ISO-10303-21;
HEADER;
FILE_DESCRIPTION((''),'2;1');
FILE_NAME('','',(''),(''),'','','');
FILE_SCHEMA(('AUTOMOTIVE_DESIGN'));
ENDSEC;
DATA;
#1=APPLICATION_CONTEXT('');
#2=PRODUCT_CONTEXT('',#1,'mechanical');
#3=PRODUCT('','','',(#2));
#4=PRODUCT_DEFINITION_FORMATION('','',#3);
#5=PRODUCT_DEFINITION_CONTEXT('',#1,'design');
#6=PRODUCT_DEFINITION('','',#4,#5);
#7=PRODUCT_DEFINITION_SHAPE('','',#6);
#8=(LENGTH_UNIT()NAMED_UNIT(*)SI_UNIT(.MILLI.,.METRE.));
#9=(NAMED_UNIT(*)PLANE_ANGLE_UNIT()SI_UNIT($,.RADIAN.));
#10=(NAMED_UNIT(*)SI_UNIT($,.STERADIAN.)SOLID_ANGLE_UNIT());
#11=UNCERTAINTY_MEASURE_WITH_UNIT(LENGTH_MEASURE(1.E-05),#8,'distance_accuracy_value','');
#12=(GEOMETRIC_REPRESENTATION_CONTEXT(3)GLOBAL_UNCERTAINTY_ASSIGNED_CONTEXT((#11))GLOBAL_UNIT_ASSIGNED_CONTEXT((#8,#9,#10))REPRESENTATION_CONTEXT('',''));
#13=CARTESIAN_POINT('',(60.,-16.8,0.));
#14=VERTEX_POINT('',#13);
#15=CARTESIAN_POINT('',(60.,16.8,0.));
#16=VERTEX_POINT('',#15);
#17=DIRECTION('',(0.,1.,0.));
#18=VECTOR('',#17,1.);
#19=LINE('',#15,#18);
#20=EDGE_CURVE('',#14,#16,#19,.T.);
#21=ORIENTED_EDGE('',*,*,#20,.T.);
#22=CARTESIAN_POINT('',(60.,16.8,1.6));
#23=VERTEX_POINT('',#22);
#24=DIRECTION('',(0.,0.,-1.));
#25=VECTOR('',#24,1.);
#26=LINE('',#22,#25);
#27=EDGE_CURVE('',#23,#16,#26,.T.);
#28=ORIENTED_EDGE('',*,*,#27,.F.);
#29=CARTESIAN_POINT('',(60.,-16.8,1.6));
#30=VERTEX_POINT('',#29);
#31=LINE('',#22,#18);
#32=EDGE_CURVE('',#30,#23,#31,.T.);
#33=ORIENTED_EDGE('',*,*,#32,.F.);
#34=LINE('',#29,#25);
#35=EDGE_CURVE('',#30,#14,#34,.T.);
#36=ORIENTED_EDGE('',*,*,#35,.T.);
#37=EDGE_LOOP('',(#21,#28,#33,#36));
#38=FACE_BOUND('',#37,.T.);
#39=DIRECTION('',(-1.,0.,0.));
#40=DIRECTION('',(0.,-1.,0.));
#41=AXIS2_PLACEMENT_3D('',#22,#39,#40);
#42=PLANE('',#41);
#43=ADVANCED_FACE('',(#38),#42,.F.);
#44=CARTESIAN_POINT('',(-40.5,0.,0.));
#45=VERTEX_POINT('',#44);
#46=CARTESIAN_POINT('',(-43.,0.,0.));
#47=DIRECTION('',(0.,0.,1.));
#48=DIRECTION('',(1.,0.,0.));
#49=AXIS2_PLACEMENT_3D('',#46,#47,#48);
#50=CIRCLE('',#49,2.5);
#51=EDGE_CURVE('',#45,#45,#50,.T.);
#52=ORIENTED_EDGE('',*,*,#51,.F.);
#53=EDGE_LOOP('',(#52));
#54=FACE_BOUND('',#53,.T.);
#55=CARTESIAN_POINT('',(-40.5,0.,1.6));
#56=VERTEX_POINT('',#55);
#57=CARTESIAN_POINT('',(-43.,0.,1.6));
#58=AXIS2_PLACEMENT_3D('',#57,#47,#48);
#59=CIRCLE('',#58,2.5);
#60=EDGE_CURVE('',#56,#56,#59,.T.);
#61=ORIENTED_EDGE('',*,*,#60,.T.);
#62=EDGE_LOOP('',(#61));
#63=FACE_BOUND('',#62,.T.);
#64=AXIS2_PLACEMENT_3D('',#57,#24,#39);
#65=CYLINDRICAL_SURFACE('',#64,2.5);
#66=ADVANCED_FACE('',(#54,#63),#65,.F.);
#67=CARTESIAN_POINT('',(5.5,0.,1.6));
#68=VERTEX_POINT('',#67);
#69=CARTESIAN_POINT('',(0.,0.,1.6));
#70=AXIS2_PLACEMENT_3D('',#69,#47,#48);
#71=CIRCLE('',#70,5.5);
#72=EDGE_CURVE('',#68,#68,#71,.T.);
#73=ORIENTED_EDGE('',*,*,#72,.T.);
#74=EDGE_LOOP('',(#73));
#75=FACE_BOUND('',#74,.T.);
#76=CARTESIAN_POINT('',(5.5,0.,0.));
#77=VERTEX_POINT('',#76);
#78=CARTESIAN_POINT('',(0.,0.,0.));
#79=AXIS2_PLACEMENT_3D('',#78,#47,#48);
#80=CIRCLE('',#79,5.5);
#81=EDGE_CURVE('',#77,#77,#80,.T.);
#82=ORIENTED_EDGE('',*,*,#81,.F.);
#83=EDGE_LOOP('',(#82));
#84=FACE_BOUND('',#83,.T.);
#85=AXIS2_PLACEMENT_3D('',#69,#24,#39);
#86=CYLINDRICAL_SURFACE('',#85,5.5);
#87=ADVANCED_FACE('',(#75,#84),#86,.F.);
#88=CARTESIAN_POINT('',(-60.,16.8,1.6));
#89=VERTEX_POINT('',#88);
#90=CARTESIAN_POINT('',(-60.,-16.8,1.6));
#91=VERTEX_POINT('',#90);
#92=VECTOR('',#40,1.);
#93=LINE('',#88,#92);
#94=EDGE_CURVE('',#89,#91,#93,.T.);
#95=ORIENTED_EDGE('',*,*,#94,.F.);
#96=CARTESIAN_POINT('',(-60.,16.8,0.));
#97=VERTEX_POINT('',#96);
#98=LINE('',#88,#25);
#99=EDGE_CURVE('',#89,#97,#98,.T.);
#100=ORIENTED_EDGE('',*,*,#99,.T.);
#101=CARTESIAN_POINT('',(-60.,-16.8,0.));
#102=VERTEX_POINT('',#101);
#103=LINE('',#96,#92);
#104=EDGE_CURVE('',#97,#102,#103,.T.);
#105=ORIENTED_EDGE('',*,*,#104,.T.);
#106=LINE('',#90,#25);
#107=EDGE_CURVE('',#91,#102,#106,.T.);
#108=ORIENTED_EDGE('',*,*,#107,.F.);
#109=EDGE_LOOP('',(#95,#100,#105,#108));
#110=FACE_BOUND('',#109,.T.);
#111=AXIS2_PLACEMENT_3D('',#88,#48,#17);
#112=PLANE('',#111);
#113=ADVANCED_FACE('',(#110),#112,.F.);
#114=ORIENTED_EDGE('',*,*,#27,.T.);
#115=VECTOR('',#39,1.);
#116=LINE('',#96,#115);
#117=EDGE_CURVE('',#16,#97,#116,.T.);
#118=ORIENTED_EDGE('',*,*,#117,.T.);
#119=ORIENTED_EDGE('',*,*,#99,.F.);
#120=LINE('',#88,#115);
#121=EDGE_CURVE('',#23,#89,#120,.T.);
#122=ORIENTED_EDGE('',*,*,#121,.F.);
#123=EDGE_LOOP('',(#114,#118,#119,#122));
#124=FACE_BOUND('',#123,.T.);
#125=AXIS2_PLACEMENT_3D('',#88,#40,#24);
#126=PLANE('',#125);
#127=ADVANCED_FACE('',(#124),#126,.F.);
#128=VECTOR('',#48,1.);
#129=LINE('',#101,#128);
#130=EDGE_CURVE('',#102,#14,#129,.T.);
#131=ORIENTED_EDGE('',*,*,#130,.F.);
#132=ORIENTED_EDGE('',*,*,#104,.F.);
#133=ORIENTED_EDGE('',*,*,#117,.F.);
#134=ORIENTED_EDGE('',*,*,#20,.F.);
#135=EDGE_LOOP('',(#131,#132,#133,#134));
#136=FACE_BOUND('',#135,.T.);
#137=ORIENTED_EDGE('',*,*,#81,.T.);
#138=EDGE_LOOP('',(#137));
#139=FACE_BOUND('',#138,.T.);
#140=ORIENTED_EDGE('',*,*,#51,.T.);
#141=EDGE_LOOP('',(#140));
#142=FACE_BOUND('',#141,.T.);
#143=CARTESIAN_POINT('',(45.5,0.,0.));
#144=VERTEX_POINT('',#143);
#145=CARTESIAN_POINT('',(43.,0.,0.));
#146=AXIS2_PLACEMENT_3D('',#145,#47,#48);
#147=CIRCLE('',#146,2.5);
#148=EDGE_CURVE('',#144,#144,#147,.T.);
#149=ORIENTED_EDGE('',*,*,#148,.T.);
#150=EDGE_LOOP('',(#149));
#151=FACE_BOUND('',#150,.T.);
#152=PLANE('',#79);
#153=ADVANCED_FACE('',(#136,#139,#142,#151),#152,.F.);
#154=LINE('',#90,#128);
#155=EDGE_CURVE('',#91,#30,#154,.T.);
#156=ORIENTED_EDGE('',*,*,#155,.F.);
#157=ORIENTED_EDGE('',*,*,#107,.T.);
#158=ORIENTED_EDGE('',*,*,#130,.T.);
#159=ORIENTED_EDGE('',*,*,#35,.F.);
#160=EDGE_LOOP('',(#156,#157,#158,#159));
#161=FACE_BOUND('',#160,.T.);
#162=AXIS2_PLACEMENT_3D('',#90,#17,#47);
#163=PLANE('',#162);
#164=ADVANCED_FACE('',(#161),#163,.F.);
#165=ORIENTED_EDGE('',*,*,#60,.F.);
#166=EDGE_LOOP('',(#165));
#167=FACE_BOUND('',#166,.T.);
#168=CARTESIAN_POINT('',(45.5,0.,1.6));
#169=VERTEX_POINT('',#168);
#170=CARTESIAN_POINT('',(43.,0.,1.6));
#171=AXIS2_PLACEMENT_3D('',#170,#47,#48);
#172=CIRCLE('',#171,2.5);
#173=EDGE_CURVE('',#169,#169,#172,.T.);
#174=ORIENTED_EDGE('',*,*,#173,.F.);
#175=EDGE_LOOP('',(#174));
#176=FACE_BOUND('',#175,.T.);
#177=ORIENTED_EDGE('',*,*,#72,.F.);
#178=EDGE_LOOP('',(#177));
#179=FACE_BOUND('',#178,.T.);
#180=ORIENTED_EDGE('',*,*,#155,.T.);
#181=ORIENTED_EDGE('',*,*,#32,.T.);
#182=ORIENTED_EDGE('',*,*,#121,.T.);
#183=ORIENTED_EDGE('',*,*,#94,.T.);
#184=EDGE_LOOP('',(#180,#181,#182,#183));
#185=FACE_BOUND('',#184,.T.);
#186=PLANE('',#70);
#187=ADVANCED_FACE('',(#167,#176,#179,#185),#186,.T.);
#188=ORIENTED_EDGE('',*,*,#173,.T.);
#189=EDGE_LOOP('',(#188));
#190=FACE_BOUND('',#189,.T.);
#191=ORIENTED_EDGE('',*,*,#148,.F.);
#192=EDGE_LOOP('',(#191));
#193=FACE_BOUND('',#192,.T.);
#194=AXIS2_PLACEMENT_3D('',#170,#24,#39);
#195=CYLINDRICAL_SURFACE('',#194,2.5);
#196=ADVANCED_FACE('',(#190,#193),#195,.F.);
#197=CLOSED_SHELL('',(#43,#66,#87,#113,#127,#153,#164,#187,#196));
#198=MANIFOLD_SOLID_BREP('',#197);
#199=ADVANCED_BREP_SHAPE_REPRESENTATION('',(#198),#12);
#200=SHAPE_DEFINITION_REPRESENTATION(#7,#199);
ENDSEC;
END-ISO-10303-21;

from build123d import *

# Parameters (mm, degrees)
SKETCH1_W           = 120
SKETCH1_H           = 33.6
SKETCH1_R           = 5.5
SKETCH1_R_2         = 2.5
BOSS_EXTRUDE1_DEPTH = 1.6


with BuildPart() as part:
    # Sketch1 → Boss-Extrude1 (new body)
    with BuildSketch(Plane.XY):
        Rectangle(SKETCH1_W, SKETCH1_H)
        Circle(SKETCH1_R, mode=Mode.SUBTRACT)
        with Locations((-43, 0)):
            Circle(SKETCH1_R_2, mode=Mode.SUBTRACT)
        with Locations((43, 0)):
            Circle(SKETCH1_R_2, mode=Mode.SUBTRACT)
    extrude(amount=BOSS_EXTRUDE1_DEPTH)


solid = part.part
